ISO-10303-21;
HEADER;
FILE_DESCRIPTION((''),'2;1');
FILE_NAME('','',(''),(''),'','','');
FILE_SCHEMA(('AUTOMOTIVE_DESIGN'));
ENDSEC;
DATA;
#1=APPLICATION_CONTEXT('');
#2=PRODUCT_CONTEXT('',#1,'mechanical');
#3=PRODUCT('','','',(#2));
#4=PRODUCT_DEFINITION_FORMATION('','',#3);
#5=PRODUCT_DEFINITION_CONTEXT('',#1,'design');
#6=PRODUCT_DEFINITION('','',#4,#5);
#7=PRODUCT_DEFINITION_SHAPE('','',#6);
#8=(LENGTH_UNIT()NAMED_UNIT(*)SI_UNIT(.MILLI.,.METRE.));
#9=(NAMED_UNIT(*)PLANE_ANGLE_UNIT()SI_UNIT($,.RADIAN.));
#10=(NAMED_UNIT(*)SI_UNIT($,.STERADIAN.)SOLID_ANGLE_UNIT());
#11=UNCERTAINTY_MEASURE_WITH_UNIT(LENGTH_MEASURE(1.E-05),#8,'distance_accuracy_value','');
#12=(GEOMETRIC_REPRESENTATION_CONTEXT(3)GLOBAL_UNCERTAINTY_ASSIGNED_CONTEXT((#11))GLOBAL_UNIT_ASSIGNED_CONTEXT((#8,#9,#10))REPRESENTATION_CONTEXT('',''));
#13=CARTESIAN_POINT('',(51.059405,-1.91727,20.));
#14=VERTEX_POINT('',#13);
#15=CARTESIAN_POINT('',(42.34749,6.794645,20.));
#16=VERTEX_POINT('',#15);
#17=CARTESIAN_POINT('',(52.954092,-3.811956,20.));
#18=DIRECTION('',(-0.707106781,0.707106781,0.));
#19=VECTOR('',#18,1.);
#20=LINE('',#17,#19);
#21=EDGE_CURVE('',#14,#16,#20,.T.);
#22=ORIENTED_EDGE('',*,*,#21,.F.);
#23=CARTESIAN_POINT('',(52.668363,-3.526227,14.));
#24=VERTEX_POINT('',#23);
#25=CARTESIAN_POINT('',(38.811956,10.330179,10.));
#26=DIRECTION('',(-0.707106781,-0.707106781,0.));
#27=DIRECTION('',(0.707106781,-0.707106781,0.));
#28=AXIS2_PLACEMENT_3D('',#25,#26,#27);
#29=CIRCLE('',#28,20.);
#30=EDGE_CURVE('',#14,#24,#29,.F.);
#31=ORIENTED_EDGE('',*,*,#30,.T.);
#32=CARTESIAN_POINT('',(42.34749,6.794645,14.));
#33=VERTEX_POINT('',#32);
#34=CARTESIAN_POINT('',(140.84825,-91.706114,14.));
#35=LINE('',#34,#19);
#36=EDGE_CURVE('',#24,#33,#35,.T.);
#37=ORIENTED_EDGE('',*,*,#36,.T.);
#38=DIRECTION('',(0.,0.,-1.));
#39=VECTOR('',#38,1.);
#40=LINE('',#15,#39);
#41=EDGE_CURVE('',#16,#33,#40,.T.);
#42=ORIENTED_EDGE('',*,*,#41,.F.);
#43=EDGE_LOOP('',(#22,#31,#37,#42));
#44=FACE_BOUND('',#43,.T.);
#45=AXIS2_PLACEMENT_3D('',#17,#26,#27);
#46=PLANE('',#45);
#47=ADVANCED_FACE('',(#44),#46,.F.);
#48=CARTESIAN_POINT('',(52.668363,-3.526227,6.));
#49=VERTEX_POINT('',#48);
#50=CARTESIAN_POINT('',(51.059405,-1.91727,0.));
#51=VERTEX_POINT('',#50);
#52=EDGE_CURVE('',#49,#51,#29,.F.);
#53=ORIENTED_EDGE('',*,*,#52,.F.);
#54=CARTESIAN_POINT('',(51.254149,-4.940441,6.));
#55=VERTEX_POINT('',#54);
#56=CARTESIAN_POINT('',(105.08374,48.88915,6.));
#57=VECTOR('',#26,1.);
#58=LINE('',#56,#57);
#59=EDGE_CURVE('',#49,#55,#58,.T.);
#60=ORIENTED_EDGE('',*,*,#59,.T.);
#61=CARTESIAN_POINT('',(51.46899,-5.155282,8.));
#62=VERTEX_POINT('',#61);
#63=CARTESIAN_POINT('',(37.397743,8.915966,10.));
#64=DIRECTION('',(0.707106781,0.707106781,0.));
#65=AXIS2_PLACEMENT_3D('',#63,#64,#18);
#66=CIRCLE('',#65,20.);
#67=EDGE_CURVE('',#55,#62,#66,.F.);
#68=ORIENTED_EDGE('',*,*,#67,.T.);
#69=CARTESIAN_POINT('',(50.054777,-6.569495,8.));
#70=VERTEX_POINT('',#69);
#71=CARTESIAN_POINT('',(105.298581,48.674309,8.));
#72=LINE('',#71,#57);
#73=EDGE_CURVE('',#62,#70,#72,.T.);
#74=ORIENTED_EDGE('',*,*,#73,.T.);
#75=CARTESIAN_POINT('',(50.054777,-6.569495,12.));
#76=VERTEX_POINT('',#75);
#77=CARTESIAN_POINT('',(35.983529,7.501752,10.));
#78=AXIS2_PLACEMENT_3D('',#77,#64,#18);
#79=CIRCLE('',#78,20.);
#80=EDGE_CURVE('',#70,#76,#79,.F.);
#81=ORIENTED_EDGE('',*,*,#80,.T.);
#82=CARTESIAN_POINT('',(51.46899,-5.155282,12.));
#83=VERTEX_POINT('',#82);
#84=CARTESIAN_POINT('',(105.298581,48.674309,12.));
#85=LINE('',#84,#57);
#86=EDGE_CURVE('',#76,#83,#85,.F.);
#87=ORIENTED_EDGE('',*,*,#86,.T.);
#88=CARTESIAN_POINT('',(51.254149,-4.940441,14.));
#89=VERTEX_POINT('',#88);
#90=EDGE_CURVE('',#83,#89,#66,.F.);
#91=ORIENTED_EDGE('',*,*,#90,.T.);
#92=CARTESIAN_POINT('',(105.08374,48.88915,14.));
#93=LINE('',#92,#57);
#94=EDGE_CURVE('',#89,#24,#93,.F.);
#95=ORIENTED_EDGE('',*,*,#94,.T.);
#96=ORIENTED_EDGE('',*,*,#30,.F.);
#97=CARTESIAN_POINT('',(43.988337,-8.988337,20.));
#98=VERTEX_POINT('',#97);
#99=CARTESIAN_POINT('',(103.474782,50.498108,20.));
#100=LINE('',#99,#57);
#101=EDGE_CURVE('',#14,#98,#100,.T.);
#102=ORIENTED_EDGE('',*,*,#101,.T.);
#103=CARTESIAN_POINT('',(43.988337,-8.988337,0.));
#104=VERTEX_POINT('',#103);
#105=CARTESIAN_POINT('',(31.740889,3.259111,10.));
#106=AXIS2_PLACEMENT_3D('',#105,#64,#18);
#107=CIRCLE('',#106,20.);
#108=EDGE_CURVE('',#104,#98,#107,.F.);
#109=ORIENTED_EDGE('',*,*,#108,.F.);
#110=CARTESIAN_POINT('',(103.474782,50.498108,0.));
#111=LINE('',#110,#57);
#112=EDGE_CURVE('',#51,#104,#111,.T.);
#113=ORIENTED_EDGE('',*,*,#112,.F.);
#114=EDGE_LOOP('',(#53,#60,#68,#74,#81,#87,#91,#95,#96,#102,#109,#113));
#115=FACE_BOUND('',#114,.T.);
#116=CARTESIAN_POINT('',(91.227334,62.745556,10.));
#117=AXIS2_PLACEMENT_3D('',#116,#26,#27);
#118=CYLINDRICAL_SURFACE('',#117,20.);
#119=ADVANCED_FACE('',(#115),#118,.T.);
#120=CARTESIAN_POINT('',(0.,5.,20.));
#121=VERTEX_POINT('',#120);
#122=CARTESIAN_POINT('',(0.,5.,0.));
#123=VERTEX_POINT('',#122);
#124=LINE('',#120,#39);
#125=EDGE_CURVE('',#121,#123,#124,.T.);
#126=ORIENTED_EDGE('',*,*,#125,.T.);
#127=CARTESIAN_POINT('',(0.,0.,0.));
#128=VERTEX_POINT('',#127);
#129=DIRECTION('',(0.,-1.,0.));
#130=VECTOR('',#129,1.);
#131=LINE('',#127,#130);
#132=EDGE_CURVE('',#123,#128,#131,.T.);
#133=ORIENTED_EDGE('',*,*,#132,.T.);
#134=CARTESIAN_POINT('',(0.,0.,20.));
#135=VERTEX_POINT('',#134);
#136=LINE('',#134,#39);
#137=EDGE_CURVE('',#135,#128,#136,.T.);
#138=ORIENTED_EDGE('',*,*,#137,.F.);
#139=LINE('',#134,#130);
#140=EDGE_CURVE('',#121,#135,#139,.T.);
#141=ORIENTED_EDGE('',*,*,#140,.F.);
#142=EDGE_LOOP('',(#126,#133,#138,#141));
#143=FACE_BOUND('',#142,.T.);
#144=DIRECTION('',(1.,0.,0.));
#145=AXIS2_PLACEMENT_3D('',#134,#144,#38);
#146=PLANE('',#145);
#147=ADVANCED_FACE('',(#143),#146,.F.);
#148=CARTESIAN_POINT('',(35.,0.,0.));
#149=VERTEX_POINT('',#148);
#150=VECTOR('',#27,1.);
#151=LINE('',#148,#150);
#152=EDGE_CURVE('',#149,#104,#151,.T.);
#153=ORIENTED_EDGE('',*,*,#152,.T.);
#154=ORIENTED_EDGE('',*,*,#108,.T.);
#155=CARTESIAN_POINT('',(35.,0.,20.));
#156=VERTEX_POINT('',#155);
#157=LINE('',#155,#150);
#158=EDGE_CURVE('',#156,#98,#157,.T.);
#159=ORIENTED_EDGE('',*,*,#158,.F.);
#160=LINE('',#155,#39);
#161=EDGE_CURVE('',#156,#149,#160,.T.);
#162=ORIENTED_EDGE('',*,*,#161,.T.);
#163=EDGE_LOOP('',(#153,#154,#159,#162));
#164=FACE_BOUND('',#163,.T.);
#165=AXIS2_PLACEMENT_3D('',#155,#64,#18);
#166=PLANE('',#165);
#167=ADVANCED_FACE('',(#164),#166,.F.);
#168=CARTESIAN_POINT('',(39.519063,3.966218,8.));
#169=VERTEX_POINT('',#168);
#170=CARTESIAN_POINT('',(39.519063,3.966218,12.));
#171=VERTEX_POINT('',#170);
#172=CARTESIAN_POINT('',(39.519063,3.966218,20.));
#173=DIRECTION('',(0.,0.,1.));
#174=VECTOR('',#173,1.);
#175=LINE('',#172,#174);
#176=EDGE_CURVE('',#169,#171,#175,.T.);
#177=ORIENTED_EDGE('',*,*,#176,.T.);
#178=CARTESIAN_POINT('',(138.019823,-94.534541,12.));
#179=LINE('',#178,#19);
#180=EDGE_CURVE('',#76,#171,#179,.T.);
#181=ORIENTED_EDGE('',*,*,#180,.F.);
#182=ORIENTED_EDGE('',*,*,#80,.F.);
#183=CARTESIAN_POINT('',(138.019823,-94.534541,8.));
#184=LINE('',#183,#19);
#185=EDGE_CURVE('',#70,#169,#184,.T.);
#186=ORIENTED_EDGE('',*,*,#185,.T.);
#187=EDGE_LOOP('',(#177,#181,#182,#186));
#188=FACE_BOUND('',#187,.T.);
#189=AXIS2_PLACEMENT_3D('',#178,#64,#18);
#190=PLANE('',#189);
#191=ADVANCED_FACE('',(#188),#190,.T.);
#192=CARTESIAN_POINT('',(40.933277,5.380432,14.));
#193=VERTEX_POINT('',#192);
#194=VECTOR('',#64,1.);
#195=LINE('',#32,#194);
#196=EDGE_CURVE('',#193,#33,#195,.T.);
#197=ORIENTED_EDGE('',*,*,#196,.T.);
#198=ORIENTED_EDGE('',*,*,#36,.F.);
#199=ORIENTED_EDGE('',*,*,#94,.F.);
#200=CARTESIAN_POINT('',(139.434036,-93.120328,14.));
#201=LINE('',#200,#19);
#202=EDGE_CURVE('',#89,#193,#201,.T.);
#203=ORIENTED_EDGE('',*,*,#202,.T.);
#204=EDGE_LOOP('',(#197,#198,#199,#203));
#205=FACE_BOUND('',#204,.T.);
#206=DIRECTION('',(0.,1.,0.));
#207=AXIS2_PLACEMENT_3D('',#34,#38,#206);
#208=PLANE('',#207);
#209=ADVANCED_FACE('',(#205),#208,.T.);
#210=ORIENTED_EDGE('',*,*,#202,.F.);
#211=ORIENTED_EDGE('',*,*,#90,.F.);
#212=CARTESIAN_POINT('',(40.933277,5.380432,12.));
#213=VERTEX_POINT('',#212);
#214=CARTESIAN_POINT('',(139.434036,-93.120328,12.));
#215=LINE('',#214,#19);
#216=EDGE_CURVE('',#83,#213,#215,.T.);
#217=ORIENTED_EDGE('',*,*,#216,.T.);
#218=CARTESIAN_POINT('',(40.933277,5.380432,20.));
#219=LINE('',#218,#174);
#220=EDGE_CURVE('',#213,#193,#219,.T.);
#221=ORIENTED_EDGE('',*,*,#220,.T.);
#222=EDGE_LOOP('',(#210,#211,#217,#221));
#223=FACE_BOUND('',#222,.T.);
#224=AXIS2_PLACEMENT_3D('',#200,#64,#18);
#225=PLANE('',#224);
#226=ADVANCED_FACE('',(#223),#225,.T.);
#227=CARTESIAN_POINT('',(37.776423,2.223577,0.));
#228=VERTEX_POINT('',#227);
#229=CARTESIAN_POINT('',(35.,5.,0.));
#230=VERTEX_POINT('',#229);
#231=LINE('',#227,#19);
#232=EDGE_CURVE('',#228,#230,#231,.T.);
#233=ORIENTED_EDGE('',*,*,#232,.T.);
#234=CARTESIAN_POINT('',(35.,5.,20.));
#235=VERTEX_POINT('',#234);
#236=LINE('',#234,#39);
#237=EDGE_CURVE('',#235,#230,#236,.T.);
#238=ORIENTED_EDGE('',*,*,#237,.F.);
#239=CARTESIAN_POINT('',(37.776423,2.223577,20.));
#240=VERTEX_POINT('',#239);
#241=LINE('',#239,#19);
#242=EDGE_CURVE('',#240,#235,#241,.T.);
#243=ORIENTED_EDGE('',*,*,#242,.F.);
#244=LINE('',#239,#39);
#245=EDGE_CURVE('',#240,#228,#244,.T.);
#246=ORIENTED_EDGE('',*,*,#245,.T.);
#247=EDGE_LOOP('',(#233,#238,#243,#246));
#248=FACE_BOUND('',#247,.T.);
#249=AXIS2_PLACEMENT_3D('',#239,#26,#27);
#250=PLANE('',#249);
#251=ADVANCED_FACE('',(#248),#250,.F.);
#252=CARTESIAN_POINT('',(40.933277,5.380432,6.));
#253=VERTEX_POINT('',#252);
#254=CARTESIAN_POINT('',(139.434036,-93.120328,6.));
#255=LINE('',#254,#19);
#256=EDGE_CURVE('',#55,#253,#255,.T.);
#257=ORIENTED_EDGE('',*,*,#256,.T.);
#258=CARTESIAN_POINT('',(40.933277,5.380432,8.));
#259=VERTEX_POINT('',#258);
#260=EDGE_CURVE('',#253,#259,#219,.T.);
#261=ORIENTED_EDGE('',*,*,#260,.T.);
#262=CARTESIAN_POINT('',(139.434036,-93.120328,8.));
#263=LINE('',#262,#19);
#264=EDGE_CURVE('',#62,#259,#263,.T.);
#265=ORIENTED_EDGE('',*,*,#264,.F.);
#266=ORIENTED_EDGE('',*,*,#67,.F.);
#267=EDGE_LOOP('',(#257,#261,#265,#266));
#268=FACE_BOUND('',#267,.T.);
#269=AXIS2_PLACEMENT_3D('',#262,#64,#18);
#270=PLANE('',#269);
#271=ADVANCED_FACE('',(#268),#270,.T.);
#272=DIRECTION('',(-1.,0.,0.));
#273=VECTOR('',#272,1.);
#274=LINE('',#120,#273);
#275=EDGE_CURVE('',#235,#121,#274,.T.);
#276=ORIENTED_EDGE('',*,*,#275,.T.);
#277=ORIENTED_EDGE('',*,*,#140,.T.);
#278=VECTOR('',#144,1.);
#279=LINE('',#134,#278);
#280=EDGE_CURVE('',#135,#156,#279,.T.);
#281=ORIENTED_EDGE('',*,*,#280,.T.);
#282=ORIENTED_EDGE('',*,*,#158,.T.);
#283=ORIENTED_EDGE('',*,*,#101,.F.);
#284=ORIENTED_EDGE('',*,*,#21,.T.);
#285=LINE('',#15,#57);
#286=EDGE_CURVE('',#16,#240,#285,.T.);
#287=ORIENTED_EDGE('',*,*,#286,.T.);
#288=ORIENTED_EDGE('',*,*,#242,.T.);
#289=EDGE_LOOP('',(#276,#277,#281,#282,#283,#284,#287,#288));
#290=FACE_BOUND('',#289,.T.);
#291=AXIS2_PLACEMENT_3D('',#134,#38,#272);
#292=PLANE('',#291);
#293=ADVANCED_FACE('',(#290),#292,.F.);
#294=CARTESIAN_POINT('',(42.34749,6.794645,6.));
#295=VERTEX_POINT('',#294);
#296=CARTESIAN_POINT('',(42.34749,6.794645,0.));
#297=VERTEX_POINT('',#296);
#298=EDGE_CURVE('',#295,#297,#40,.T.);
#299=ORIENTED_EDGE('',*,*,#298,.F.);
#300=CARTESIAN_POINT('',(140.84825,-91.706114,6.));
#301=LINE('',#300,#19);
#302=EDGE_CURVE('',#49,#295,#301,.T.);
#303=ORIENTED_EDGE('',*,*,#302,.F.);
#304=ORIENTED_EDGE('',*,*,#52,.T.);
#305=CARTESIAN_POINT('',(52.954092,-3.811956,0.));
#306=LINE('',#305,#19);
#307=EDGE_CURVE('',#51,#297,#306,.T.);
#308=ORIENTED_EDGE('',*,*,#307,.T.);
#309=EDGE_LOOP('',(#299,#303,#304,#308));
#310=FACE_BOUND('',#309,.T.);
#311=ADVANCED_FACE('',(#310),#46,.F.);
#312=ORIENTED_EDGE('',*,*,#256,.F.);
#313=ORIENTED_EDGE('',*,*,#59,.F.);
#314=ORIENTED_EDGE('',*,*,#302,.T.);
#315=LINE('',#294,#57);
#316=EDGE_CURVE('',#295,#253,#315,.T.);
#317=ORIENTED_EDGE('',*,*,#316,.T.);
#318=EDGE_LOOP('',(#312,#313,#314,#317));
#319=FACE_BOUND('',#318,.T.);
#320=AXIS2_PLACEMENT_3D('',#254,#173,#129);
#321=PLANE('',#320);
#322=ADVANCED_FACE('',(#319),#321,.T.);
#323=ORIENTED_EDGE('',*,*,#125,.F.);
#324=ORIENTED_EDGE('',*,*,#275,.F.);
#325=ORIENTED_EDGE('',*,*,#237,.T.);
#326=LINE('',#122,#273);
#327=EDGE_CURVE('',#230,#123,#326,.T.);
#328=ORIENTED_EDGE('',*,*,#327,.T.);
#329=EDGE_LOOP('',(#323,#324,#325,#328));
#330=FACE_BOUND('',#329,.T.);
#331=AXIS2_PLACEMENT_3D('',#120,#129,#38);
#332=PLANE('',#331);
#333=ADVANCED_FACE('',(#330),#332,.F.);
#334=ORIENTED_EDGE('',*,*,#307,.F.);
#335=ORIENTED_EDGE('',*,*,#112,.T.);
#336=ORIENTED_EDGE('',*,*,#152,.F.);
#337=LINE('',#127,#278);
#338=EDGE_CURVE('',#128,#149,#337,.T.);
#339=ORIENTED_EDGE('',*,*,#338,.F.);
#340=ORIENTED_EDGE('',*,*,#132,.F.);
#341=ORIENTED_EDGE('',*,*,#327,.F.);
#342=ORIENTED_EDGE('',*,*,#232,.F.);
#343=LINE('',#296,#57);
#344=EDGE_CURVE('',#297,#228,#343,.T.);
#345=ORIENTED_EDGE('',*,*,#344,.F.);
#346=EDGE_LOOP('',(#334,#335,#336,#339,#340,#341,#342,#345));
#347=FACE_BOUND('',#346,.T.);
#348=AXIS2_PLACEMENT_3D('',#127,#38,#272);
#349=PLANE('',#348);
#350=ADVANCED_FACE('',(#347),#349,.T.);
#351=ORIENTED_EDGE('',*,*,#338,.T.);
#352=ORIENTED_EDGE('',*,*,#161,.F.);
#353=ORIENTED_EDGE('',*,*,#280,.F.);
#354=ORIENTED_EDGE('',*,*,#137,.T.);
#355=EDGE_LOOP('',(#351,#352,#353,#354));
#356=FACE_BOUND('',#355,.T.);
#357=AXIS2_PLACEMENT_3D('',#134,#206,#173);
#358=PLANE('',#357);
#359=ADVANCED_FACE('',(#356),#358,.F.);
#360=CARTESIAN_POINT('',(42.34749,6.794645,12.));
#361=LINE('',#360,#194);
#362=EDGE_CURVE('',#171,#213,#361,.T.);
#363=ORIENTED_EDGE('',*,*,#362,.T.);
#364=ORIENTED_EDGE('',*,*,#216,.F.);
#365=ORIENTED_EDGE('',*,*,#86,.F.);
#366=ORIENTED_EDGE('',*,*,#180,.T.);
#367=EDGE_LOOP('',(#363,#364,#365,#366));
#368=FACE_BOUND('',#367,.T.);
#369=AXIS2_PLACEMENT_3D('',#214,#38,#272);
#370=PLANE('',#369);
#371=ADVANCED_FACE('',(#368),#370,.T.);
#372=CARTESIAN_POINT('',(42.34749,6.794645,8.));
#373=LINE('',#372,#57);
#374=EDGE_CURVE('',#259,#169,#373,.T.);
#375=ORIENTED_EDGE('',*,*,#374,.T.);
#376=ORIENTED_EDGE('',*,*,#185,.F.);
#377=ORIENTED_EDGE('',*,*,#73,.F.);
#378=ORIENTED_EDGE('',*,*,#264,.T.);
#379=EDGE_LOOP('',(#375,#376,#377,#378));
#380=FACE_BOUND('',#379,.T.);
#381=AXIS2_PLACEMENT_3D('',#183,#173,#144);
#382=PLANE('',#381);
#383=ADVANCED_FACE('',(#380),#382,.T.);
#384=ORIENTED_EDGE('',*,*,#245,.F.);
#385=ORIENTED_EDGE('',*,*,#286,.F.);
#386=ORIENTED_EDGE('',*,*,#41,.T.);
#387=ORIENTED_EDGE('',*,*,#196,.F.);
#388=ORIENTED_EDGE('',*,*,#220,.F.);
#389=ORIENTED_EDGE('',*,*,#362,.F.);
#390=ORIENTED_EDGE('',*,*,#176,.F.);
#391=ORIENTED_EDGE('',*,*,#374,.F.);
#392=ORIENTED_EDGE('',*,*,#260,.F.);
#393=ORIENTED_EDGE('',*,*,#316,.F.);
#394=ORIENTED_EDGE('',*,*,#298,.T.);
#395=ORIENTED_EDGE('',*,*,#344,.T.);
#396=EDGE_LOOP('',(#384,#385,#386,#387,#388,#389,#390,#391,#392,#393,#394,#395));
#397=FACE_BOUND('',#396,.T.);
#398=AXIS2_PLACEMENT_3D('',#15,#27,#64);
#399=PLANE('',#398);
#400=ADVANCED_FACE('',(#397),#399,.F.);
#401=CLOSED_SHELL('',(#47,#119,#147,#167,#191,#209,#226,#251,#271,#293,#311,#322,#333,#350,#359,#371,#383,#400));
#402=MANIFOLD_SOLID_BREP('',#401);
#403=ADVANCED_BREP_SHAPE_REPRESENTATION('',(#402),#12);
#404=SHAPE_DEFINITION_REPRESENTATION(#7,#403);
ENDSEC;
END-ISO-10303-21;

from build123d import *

# Parameters (mm, degrees)
BOSS_EXTRUDE1_DEPTH      = 20
CUT_EXTRUDE5_DEPTH       = 6
CUT_EXTRUDE5_DEPTH_BACK  = 45.944197614
CUT_EXTRUDE10_DEPTH      = 8.5
CUT_EXTRUDE10_DEPTH_BACK = 43.444197614


with BuildPart() as part:
    # Sketch2 → Boss-Extrude1 (new body)
    with BuildSketch(Plane.XY):
        Polygon((0, 0), (35, 0), (45.883024287, -10.883024287), (52.954092099, -3.811956475), (42.347490381, 6.794645243), (37.776422569, 2.223577431), (35, 5), (0, 5), align=None)
    extrude(amount=BOSS_EXTRUDE1_DEPTH)

    # Sketch3 → Cut-Extrude5 (cut, two sides)
    with BuildSketch(Plane(origin=(28.383024287, -28.383024287, 0), x_dir=(0, 0, -1), z_dir=(0.707106781, -0.707106781, 0))) as cut_extrude5_sk:
        Polygon((-14, 134.13575902), (-14, 34.748737342), (-14, 32.748737342), (-12, 32.748737342), (-12, 30.748737342), (-8, 30.748737342), (-8, 32.748737342), (-6, 32.748737342), (-6, 34.748737342), (-6, 134.13575902), (-6, 332.909802377), (-14, 332.909802377), align=None)
    extrude(amount=CUT_EXTRUDE5_DEPTH, mode=Mode.SUBTRACT)
    extrude(cut_extrude5_sk.sketch, amount=-CUT_EXTRUDE5_DEPTH_BACK, mode=Mode.SUBTRACT)

    # Sketch4 → Cut-Extrude10 (cut, two sides)
    with BuildSketch(Plane(origin=(24.571067812, 24.571067812, 0), x_dir=(0, 0, -1), z_dir=(0.707106781, 0.707106781, 0))) as cut_extrude10_sk:
        with BuildLine():
            Line((-109.647389073, 14.29777825), (-20, -37.460165963))
            ThreePointArc((-20, -37.460165963), (-10, -40.139657887), (0, -37.460165963))
            Line((0, -37.460165963), (89.647389073, 14.29777825))
            Line((89.647389073, 14.29777825), (89.647389073, -192.733998604))
            Line((89.647389073, -192.733998604), (-109.647389073, -192.733998604))
            Line((-109.647389073, -192.733998604), (-109.647389073, 14.29777825))
        make_face()
    extrude(amount=CUT_EXTRUDE10_DEPTH, mode=Mode.SUBTRACT)
    extrude(cut_extrude10_sk.sketch, amount=-CUT_EXTRUDE10_DEPTH_BACK, mode=Mode.SUBTRACT)


solid = part.part
